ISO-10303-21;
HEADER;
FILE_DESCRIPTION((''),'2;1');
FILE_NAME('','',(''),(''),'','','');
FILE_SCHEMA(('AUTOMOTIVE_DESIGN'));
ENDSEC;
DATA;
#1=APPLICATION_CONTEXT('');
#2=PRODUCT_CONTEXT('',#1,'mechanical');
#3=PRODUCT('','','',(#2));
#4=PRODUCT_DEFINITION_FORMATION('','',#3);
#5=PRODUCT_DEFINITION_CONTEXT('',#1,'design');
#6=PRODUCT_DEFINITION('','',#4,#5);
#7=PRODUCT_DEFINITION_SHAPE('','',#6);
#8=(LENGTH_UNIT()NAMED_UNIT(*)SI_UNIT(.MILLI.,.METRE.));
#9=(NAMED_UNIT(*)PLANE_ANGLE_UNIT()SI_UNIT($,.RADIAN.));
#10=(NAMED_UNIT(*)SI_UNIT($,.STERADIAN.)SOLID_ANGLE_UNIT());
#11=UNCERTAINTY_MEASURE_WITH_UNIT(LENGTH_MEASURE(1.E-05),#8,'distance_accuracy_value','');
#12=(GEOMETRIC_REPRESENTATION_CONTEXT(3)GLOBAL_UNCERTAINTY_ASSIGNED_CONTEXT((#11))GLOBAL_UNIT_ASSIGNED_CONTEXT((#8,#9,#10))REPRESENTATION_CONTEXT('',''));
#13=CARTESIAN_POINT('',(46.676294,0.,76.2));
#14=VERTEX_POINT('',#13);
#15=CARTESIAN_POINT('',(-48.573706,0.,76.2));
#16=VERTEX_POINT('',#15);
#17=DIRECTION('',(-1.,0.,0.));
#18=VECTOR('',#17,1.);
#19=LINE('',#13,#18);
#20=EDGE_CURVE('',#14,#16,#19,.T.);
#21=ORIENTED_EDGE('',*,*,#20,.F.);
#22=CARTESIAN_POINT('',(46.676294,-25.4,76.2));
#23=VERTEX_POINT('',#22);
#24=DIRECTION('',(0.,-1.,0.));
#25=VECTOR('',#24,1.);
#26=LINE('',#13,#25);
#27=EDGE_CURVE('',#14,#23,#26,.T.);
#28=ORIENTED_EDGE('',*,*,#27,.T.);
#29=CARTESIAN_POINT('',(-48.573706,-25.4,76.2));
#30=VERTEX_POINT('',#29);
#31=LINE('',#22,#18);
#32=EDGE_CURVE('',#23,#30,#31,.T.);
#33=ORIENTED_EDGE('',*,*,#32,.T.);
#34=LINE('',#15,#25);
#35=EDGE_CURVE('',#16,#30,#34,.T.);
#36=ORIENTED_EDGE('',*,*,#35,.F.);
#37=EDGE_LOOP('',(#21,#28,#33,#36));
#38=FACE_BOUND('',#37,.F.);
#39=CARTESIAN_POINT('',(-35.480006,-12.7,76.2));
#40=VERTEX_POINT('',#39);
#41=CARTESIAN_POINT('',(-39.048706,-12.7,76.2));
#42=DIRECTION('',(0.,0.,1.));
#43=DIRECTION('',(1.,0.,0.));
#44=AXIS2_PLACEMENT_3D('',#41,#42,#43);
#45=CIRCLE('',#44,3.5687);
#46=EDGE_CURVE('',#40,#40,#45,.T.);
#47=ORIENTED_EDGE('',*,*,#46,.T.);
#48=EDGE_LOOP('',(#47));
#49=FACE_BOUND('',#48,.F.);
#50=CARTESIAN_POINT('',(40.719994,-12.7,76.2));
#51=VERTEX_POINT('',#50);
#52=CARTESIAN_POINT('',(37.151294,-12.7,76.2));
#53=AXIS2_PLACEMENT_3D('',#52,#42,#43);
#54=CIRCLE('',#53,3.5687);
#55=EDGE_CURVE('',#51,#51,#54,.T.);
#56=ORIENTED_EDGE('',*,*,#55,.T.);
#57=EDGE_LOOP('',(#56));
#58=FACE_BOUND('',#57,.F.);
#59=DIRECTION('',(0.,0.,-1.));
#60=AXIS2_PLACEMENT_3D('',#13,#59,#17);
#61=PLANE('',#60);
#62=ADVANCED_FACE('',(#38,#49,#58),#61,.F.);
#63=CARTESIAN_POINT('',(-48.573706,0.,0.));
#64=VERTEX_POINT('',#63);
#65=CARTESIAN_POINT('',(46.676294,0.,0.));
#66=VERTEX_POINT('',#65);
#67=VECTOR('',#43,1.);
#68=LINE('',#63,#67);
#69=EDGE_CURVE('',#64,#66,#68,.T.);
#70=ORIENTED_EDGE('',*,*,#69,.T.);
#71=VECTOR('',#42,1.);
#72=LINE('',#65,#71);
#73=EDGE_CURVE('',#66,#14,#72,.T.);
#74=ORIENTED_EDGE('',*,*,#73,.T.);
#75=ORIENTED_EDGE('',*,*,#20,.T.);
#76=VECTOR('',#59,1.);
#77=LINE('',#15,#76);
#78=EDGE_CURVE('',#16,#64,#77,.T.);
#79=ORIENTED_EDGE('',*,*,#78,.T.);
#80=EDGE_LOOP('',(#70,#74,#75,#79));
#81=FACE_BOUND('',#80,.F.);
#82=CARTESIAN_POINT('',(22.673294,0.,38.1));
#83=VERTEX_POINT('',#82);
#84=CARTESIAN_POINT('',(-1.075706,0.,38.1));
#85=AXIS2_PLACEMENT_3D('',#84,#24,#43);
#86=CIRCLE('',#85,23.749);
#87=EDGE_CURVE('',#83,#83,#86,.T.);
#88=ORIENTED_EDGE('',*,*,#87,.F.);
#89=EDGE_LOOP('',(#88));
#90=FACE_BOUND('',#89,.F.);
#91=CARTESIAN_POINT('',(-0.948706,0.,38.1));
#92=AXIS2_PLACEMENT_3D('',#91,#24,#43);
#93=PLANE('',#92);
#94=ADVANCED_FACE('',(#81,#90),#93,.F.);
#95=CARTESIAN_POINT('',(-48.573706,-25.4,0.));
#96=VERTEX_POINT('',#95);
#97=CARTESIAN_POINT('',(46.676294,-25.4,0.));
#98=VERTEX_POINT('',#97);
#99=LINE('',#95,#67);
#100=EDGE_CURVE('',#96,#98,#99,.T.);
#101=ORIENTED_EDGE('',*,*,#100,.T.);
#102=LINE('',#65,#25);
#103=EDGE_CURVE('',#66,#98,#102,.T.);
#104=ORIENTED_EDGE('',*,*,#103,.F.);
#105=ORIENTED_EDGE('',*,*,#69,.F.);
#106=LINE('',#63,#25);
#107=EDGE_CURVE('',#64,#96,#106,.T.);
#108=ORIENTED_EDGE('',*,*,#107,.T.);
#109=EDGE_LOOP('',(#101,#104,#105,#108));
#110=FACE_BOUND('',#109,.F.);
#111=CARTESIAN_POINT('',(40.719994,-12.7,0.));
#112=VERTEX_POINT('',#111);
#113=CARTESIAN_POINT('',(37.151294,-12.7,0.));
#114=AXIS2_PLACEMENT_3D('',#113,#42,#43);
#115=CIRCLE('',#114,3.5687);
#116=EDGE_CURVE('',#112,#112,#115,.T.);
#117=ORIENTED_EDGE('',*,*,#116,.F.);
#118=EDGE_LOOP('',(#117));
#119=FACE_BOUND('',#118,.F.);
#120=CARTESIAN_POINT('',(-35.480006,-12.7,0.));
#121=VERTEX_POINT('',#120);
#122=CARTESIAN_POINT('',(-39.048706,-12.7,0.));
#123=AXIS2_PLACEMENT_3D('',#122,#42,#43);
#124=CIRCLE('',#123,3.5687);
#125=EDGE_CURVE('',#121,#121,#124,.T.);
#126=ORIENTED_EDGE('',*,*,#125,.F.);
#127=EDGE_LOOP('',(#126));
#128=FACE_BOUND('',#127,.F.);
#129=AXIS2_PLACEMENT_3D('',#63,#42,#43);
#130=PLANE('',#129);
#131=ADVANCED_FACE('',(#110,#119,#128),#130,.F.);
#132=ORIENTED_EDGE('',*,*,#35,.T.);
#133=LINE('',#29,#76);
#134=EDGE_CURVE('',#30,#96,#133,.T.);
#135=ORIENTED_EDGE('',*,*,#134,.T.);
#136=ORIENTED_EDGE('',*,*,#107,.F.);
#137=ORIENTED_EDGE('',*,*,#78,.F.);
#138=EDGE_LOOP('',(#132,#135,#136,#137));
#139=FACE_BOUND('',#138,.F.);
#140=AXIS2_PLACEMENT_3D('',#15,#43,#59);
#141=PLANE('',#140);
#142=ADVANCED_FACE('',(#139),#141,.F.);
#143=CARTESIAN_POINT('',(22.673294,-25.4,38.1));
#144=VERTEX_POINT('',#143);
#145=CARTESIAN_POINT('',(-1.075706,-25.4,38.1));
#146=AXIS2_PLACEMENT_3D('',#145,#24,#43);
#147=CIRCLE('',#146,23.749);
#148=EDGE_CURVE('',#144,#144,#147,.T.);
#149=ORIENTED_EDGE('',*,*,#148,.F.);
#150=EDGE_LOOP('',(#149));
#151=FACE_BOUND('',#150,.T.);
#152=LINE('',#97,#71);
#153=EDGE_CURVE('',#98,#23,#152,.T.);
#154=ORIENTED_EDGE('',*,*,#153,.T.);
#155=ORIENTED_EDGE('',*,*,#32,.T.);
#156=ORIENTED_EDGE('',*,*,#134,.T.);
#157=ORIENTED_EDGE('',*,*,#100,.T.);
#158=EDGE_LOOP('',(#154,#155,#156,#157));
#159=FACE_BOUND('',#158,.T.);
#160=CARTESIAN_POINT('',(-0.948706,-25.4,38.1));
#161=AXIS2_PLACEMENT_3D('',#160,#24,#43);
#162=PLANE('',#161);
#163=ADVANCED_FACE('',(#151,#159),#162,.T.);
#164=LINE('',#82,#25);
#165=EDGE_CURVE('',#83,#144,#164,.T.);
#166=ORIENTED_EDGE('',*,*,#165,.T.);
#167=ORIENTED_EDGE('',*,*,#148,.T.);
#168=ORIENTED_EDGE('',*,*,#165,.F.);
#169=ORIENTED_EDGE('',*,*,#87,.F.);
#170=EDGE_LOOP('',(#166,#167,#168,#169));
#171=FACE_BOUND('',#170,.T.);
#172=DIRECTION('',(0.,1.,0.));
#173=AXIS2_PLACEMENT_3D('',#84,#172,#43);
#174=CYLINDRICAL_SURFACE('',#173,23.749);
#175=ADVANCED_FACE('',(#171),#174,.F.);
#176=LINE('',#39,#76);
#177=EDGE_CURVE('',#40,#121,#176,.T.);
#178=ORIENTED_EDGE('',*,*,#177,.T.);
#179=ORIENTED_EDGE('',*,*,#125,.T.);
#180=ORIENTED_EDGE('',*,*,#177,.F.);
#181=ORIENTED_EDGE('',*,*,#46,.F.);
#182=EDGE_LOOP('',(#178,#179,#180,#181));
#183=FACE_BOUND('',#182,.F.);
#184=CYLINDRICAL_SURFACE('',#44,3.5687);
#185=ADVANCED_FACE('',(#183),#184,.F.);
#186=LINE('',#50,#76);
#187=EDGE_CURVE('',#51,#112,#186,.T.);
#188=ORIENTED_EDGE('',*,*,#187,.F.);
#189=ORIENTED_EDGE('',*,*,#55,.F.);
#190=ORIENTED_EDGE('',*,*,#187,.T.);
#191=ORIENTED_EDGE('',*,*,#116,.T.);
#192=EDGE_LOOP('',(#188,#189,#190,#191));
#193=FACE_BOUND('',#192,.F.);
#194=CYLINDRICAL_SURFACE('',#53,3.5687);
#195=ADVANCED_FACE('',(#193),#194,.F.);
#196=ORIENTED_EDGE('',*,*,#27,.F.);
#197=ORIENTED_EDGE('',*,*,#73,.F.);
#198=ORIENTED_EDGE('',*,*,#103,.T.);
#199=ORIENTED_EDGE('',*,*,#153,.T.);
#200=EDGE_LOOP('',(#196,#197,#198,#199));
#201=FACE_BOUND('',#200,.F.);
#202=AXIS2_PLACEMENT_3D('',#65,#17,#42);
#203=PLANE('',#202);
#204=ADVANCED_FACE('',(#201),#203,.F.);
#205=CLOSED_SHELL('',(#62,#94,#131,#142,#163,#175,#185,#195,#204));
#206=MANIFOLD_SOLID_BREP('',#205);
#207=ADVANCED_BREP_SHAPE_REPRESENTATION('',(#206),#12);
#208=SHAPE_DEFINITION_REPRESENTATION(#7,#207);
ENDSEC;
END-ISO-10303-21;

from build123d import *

# Parameters (mm, degrees)
F0_R     = 23.749
F1_DEPTH = 25.4
F2_R     = 3.5687
F3_DEPTH = 76.2


with BuildPart() as f1:
    # F0 (on Front) → F1 (new body)
    with BuildSketch(Plane.XZ):
        Polygon((-48.573706, 76.2), (-48.573706, 0), (46.676294, 0), (46.676294, 76.2), (-1.075706, 76.2), align=None)
        with Locations((-1.075706, 38.1)):
            Circle(F0_R, mode=Mode.SUBTRACT)
    extrude(amount=F1_DEPTH)

    # F2 (on face) → F3 (cut)
    with BuildSketch(Plane.XY.offset(76.2)):
        with Locations((-39.048706, -12.7)):
            Circle(F2_R)
        with Locations((37.151294, -12.7)):
            Circle(F2_R)
    extrude(amount=-F3_DEPTH, mode=Mode.SUBTRACT)


solid = f1.part
